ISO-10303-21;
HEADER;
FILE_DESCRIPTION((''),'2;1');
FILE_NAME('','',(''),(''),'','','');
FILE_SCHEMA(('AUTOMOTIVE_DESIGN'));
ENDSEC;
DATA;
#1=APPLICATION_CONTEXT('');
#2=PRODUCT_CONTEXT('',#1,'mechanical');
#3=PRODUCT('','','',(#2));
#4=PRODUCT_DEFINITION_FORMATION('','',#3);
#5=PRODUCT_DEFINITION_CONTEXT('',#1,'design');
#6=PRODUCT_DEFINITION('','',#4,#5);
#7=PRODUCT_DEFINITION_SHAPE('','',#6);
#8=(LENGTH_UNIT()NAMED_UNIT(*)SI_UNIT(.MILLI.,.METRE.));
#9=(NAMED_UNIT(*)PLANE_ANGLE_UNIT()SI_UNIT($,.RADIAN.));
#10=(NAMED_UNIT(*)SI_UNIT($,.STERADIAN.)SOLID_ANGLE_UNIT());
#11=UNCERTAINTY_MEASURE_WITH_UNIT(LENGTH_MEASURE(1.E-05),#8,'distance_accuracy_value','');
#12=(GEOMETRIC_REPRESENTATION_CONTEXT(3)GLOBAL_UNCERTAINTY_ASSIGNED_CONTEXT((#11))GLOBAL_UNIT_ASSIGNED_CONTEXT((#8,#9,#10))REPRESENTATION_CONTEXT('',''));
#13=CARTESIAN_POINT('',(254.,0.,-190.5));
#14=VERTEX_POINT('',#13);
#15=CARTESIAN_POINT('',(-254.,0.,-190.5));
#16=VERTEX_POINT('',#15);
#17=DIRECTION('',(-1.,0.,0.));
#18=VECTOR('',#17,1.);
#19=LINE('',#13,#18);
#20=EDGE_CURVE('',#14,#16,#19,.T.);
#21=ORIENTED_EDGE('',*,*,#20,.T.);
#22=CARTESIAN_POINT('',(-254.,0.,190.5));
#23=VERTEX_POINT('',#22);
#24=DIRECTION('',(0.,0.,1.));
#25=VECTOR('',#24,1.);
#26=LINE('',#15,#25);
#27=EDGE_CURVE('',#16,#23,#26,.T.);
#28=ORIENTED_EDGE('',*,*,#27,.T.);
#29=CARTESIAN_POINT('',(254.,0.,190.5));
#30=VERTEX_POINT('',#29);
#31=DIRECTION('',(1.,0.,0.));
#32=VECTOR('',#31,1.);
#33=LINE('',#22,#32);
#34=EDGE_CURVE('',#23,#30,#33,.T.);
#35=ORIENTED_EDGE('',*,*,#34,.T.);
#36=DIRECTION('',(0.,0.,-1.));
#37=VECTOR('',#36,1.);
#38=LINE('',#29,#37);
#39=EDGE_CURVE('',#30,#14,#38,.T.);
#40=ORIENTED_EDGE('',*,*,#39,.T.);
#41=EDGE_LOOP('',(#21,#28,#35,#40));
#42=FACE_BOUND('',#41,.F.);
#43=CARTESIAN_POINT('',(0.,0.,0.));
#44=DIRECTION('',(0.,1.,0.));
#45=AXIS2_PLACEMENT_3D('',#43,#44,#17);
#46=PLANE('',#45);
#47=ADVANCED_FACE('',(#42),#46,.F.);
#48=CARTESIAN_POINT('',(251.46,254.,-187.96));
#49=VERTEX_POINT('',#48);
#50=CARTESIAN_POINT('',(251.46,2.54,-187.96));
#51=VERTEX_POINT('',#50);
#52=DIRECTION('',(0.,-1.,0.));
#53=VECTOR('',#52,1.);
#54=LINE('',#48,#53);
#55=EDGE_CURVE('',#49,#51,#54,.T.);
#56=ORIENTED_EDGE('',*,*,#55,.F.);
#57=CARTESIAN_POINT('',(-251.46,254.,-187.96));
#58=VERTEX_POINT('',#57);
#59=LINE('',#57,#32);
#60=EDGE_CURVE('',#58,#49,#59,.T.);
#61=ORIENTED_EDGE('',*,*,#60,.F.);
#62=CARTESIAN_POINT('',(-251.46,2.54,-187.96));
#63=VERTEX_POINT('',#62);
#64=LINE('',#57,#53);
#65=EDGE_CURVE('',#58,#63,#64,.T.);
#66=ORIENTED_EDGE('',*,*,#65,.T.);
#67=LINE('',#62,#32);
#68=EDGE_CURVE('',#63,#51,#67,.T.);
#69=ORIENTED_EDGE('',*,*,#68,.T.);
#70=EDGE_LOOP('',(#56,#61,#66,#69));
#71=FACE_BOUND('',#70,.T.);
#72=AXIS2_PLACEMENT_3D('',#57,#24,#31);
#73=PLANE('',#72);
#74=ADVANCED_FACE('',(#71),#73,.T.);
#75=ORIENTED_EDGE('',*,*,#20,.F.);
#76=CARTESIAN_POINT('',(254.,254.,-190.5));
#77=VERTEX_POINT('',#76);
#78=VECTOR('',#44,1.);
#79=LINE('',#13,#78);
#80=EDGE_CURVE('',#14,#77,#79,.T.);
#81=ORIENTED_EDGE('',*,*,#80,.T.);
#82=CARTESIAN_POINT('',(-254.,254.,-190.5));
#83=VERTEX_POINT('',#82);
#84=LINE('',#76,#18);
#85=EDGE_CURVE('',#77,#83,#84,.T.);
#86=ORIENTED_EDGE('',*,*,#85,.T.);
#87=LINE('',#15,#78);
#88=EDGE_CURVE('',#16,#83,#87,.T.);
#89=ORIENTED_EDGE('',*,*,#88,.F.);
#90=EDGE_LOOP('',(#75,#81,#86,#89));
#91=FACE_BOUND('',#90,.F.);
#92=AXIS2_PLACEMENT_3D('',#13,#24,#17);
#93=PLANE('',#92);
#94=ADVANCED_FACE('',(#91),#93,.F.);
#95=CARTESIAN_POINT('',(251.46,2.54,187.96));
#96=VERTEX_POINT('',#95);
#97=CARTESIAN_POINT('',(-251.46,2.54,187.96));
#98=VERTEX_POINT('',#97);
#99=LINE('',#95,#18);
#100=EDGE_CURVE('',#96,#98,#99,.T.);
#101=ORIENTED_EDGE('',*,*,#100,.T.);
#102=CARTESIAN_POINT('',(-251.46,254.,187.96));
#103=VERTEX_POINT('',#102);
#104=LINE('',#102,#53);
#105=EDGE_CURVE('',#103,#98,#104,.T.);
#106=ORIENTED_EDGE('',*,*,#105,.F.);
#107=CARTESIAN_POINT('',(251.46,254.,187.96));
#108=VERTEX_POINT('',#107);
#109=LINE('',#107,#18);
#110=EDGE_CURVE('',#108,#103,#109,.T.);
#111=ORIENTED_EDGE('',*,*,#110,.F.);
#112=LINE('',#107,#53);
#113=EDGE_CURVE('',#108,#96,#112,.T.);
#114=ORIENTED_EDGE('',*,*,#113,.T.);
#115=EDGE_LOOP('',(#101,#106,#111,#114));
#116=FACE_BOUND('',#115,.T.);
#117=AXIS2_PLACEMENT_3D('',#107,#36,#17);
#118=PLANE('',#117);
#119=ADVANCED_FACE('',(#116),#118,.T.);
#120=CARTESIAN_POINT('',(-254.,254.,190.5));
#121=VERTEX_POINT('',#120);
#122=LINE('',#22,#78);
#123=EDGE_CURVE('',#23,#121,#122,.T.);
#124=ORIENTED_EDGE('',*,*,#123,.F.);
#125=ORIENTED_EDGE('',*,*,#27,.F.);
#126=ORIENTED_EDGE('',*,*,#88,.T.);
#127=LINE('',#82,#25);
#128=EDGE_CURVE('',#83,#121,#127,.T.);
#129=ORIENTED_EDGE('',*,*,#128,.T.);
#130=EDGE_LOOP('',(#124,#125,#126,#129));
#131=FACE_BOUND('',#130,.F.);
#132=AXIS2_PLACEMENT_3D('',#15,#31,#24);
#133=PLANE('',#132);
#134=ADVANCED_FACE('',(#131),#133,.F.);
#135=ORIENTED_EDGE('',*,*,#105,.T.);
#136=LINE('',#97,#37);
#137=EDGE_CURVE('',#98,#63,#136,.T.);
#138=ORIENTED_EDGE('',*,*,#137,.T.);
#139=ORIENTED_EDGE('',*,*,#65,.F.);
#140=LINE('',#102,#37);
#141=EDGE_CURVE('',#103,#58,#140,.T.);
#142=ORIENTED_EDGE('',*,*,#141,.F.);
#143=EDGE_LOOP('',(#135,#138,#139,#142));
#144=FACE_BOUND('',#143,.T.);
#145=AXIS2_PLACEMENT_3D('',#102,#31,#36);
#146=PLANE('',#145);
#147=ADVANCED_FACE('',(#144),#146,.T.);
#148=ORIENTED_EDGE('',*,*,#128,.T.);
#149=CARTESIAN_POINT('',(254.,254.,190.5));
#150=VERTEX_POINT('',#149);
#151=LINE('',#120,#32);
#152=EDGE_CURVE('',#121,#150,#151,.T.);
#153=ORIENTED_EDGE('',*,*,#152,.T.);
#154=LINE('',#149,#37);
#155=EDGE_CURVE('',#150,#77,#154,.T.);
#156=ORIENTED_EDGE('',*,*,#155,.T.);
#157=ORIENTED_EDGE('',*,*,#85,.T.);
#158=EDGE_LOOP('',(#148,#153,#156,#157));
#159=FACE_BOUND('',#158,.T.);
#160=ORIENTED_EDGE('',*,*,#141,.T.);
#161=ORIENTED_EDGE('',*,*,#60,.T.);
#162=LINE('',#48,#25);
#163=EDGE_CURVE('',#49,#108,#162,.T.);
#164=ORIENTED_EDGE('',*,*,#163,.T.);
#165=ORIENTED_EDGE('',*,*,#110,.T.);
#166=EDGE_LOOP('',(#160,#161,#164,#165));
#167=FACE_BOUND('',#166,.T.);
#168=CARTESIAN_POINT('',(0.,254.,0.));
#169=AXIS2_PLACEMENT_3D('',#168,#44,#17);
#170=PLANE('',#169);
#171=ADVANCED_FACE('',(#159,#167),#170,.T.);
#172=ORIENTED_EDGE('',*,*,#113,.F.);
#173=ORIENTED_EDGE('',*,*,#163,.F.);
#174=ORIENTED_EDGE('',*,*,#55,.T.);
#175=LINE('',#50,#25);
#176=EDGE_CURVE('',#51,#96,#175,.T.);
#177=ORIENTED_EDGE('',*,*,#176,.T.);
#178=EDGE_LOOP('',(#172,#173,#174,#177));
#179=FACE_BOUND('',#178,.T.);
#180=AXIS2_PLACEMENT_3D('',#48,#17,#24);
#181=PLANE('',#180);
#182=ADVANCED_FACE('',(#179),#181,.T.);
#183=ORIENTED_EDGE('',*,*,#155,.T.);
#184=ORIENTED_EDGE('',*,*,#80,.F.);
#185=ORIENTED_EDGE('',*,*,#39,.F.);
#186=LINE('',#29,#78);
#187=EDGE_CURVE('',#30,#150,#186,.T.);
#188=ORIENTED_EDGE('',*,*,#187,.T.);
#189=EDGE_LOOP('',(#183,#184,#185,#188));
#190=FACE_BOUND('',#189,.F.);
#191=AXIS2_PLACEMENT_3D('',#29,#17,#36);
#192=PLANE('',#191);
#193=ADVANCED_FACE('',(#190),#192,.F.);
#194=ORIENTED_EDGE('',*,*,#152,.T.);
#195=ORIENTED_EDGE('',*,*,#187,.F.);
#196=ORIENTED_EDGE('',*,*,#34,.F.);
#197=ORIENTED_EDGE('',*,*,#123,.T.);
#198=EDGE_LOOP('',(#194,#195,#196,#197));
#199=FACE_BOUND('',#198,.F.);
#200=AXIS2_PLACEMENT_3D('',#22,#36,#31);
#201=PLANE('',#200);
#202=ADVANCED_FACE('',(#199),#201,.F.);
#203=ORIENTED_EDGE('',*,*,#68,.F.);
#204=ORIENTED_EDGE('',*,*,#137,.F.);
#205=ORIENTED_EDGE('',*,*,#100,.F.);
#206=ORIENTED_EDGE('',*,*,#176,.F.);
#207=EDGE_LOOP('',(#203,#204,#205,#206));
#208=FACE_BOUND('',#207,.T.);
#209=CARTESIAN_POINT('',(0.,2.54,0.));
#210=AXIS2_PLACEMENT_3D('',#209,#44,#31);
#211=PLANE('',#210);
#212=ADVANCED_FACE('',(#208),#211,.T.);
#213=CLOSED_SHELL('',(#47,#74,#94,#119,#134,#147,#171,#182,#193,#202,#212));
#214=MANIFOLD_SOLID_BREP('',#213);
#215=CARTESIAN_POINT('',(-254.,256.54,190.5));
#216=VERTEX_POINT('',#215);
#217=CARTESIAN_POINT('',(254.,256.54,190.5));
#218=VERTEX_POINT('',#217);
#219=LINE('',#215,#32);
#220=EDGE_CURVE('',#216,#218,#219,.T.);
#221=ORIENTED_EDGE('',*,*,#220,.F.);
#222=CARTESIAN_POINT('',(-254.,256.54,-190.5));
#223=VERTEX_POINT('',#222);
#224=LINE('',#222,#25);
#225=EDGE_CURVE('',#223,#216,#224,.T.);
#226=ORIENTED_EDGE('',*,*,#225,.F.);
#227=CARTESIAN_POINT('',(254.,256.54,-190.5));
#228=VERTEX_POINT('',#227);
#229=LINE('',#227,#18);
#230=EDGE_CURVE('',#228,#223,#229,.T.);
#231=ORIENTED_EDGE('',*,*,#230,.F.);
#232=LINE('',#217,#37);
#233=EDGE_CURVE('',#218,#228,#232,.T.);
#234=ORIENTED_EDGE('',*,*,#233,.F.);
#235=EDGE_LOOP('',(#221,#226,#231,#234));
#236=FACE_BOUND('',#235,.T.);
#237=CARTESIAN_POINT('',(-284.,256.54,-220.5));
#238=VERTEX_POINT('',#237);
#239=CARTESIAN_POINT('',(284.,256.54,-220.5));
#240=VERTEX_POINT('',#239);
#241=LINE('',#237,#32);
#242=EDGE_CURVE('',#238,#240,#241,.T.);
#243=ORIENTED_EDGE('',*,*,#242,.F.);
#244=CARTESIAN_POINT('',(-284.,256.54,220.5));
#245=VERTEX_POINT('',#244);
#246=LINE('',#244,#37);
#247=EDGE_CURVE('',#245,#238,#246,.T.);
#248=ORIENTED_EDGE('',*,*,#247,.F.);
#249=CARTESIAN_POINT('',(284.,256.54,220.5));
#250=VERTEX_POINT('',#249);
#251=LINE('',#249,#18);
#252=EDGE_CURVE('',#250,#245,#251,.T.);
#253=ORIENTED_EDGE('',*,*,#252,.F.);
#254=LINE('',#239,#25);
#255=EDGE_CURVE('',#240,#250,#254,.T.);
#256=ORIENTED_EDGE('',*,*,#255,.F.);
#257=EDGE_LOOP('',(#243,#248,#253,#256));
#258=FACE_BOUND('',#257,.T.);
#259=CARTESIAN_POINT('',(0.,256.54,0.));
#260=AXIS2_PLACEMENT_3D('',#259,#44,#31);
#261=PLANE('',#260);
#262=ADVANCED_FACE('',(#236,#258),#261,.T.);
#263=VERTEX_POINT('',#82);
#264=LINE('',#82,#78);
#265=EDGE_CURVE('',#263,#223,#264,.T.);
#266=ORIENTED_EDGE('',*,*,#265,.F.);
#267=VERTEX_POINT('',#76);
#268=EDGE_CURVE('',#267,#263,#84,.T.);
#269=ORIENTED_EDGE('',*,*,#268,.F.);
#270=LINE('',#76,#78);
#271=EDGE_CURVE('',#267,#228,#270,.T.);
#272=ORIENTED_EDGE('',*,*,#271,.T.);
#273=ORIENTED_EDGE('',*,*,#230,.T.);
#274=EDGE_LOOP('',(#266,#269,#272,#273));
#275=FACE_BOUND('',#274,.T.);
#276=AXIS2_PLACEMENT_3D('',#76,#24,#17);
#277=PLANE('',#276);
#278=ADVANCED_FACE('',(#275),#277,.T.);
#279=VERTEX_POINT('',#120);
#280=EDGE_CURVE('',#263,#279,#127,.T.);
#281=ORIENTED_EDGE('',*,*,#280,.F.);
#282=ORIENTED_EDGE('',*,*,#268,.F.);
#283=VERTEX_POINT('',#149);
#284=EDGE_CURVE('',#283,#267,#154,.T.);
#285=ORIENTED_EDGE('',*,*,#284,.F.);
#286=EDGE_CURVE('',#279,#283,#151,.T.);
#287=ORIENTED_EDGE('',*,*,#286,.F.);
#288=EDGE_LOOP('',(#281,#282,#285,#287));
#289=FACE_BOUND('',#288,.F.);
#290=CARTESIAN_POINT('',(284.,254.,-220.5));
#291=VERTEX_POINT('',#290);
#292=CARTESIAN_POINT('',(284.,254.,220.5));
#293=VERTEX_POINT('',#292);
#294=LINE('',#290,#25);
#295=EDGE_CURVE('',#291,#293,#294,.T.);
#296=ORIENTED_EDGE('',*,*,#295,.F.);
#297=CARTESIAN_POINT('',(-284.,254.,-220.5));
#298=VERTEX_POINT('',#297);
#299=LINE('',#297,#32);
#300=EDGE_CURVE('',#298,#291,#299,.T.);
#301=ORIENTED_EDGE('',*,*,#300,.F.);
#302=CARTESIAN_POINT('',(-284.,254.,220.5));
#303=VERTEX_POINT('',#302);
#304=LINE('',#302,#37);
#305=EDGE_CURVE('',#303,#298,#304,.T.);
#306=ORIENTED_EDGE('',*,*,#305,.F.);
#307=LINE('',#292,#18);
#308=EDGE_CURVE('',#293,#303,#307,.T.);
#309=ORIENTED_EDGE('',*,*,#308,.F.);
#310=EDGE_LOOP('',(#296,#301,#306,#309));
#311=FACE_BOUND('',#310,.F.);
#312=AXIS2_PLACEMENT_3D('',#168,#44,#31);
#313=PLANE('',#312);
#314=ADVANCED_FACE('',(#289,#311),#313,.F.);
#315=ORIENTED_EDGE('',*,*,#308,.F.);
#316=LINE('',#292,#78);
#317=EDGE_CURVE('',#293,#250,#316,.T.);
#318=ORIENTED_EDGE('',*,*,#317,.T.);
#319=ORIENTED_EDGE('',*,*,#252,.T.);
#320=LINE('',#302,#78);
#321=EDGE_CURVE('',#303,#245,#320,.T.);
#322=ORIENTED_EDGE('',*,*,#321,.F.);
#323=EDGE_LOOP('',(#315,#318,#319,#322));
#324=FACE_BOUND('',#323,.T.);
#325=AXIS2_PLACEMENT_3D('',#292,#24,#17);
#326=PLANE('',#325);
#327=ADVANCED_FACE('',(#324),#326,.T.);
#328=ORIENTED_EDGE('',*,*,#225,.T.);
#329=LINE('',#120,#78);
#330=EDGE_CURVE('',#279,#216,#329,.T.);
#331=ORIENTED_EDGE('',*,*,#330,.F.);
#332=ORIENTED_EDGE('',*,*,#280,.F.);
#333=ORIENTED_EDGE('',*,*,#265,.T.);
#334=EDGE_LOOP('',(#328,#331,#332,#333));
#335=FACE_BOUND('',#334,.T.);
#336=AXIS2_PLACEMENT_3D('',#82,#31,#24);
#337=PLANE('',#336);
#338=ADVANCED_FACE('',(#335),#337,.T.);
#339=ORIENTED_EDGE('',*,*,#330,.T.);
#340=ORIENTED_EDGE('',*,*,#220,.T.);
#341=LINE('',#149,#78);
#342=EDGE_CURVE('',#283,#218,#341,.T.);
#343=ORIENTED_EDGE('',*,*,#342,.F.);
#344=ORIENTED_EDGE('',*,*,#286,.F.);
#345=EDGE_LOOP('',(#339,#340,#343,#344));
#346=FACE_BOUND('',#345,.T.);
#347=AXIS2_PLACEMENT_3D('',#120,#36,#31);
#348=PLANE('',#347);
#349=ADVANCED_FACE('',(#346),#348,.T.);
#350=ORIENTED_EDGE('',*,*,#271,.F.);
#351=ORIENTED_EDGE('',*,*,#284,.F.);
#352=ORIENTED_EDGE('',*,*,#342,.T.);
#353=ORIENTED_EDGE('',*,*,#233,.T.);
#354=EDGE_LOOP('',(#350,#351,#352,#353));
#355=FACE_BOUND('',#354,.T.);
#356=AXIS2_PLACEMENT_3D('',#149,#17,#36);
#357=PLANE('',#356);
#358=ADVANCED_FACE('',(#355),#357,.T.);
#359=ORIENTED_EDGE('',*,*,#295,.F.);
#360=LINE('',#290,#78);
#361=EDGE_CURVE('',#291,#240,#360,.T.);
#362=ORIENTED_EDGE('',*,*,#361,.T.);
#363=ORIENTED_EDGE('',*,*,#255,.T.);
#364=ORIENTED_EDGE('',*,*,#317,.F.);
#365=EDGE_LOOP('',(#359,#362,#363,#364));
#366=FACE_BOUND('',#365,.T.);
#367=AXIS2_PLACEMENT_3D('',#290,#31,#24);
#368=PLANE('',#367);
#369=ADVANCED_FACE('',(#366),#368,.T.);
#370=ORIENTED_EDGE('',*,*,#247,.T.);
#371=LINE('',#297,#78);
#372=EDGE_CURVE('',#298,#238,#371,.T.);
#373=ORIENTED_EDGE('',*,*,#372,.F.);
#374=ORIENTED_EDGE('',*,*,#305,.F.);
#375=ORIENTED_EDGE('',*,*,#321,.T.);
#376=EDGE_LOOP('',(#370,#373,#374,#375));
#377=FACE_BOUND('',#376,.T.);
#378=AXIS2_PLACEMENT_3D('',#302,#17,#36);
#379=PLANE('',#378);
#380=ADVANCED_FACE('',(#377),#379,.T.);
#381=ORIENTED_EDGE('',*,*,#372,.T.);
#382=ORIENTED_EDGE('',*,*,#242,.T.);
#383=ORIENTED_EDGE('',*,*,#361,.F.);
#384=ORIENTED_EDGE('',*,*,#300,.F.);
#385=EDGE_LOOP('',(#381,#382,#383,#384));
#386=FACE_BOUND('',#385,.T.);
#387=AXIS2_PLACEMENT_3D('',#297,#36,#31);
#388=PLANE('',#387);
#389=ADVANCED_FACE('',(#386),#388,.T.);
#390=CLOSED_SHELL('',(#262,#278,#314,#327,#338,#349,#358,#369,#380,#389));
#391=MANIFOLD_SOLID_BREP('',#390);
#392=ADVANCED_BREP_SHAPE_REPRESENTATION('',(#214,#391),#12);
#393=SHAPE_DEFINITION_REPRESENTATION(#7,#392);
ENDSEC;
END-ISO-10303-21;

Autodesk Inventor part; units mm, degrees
ref_plane "YZ Plane" through (0, 0, 0) normal (1, 0, 0) x (0, 1, 0)
ref_plane "XZ Plane" through (0, 0, 0) normal (0, 1, 0) x (-1, 0, 0)
ref_plane "XY Plane" through (0, 0, 0) normal (0, 0, 1) x (1, 0, 0)
sketch "Sketch1" plane through (0, 0, 0) normal (0, 1, 0) x (-1, 0, 0)
  line L0 (-254, -190.5) -> (254, -190.5)
  line L1 (254, -190.5) -> (254, 190.5)
  line L2 (254, 190.5) -> (-254, 190.5)
  line L3 (-254, 190.5) -> (-254, -190.5)
  line L4 (-254, -190.5) -> (254, 190.5) construction
  line L5 (254, -190.5) -> (-254, 190.5) construction
  point P0 (0, 0)
  dimension "d0" = 508
  dimension "d1" = 381
extrude "Extrusion1" add sketch "Sketch1" along normal blind 254
sketch "Sketch2" plane through (0, 254, 0) normal (0, 1, 0) x (1, 0, 0)
  line L0 (254, 190.5) -> (-254, 190.5) projected
  line L1 (-254, 190.5) -> (-254, -190.5) projected
  line L2 (-254, -190.5) -> (254, -190.5) projected
  line L3 (254, -190.5) -> (254, 190.5) projected
  line L4 (-284, 220.5) -> (284, 220.5)
  line L5 (284, 220.5) -> (284, -220.5)
  line L6 (284, -220.5) -> (-284, -220.5)
  line L7 (-284, -220.5) -> (-284, 220.5)
  point P0 (0, 0)
  dimension "d4" = 30
extrude "Extrusion2" add sketch "Sketch2" along normal blind 2.54
sketch "Sketch4" plane through (0, 254, 0) normal (0, 1, 0) x (1, 0, 0)
  line L0 (254, 190.5) -> (-254, 190.5) projected
  line L1 (-254, 190.5) -> (-254, -190.5) projected
  line L2 (-254, -190.5) -> (254, -190.5) projected
  line L3 (254, -190.5) -> (254, 190.5) projected
  line L4 (-251.46, 187.96) -> (251.46, 187.96)
  line L5 (251.46, 187.96) -> (251.46, -187.96)
  line L6 (251.46, -187.96) -> (-251.46, -187.96)
  line L7 (-251.46, -187.96) -> (-251.46, 187.96)
  point P0 (0, 0)
  dimension "d9" = 2.54
extrude "Extrusion4" cut sketch "Sketch4" against normal blind 251.46 contours L4 L5 L6 L7
properties part number "dcps_mcpc" material "Copper, Alloy"
